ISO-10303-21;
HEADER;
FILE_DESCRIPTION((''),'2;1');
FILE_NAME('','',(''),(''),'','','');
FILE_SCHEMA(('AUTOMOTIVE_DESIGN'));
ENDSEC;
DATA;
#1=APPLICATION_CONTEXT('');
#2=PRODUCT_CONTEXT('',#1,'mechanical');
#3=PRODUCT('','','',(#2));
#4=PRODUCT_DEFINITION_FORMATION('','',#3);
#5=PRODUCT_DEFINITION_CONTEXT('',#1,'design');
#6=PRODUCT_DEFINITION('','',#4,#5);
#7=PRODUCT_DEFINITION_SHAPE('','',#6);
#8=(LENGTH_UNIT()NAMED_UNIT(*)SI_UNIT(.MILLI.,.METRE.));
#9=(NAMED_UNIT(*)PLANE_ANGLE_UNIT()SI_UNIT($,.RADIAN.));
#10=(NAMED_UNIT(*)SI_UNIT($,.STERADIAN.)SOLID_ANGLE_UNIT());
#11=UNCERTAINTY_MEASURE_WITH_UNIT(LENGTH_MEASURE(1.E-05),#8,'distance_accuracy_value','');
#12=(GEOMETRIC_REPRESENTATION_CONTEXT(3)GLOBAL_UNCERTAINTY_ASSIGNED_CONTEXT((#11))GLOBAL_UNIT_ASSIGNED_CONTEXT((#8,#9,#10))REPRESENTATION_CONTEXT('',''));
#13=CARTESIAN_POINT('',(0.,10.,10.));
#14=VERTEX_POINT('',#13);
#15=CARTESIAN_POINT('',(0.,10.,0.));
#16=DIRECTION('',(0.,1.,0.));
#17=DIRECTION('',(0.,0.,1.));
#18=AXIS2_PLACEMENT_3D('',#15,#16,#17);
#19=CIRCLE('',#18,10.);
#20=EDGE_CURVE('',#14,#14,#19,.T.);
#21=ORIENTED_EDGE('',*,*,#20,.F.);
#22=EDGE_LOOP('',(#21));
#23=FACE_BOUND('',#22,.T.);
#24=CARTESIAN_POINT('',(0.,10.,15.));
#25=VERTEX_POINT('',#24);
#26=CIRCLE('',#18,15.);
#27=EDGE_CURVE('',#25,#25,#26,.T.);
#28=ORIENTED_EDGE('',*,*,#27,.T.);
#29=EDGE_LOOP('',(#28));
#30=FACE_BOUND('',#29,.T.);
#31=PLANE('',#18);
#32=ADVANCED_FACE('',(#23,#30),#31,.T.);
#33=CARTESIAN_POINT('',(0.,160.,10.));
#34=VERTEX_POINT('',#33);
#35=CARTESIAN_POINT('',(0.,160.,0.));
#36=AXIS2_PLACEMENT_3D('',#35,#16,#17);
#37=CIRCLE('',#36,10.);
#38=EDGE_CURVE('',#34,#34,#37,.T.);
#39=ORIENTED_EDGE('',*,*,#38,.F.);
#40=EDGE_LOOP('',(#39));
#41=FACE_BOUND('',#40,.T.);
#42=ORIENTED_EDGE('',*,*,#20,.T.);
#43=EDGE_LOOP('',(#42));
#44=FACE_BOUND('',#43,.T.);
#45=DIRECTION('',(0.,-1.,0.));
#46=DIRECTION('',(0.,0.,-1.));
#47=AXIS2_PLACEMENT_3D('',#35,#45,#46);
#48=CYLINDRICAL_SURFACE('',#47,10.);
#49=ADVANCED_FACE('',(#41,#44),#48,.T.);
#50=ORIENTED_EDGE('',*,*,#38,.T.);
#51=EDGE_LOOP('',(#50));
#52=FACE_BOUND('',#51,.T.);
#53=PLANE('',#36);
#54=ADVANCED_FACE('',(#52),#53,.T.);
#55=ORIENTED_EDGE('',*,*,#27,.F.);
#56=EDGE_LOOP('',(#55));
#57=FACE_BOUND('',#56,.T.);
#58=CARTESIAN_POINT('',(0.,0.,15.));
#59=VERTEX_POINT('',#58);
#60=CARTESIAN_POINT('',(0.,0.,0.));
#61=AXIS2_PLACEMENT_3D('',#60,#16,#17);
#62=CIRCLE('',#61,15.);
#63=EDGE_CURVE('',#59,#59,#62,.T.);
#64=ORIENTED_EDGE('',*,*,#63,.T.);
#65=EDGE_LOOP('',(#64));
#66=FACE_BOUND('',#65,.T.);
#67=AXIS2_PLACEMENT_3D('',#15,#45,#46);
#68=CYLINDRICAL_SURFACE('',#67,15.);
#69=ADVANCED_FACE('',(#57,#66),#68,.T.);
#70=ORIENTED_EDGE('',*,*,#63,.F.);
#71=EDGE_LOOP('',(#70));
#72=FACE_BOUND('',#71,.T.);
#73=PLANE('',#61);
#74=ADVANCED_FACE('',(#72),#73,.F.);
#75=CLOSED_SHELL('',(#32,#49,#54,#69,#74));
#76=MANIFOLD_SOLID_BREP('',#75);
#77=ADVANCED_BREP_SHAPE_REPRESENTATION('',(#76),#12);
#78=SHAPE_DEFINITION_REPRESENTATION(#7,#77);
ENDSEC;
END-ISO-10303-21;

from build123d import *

# Parameters (mm, degrees)
SKETCH1_R           = 15
BOSS_EXTRUDE1_DEPTH = 10
SKETCH2_R           = 10
BOSS_EXTRUDE2_DEPTH = 150


with BuildPart() as part:
    # Sketch1 → Boss-Extrude1 (new body)
    with BuildSketch(Plane(origin=(0, 0, 0), x_dir=(1, 0, 0), z_dir=(0, 1, 0))):
        Circle(SKETCH1_R)
    extrude(amount=BOSS_EXTRUDE1_DEPTH)

    # Sketch2 → Boss-Extrude2 (add)
    with BuildSketch(Plane(origin=(0, 10, 0), x_dir=(1, 0, 0), z_dir=(0, 1, 0))):
        Circle(SKETCH2_R)
    extrude(amount=BOSS_EXTRUDE2_DEPTH)


solid = part.part
